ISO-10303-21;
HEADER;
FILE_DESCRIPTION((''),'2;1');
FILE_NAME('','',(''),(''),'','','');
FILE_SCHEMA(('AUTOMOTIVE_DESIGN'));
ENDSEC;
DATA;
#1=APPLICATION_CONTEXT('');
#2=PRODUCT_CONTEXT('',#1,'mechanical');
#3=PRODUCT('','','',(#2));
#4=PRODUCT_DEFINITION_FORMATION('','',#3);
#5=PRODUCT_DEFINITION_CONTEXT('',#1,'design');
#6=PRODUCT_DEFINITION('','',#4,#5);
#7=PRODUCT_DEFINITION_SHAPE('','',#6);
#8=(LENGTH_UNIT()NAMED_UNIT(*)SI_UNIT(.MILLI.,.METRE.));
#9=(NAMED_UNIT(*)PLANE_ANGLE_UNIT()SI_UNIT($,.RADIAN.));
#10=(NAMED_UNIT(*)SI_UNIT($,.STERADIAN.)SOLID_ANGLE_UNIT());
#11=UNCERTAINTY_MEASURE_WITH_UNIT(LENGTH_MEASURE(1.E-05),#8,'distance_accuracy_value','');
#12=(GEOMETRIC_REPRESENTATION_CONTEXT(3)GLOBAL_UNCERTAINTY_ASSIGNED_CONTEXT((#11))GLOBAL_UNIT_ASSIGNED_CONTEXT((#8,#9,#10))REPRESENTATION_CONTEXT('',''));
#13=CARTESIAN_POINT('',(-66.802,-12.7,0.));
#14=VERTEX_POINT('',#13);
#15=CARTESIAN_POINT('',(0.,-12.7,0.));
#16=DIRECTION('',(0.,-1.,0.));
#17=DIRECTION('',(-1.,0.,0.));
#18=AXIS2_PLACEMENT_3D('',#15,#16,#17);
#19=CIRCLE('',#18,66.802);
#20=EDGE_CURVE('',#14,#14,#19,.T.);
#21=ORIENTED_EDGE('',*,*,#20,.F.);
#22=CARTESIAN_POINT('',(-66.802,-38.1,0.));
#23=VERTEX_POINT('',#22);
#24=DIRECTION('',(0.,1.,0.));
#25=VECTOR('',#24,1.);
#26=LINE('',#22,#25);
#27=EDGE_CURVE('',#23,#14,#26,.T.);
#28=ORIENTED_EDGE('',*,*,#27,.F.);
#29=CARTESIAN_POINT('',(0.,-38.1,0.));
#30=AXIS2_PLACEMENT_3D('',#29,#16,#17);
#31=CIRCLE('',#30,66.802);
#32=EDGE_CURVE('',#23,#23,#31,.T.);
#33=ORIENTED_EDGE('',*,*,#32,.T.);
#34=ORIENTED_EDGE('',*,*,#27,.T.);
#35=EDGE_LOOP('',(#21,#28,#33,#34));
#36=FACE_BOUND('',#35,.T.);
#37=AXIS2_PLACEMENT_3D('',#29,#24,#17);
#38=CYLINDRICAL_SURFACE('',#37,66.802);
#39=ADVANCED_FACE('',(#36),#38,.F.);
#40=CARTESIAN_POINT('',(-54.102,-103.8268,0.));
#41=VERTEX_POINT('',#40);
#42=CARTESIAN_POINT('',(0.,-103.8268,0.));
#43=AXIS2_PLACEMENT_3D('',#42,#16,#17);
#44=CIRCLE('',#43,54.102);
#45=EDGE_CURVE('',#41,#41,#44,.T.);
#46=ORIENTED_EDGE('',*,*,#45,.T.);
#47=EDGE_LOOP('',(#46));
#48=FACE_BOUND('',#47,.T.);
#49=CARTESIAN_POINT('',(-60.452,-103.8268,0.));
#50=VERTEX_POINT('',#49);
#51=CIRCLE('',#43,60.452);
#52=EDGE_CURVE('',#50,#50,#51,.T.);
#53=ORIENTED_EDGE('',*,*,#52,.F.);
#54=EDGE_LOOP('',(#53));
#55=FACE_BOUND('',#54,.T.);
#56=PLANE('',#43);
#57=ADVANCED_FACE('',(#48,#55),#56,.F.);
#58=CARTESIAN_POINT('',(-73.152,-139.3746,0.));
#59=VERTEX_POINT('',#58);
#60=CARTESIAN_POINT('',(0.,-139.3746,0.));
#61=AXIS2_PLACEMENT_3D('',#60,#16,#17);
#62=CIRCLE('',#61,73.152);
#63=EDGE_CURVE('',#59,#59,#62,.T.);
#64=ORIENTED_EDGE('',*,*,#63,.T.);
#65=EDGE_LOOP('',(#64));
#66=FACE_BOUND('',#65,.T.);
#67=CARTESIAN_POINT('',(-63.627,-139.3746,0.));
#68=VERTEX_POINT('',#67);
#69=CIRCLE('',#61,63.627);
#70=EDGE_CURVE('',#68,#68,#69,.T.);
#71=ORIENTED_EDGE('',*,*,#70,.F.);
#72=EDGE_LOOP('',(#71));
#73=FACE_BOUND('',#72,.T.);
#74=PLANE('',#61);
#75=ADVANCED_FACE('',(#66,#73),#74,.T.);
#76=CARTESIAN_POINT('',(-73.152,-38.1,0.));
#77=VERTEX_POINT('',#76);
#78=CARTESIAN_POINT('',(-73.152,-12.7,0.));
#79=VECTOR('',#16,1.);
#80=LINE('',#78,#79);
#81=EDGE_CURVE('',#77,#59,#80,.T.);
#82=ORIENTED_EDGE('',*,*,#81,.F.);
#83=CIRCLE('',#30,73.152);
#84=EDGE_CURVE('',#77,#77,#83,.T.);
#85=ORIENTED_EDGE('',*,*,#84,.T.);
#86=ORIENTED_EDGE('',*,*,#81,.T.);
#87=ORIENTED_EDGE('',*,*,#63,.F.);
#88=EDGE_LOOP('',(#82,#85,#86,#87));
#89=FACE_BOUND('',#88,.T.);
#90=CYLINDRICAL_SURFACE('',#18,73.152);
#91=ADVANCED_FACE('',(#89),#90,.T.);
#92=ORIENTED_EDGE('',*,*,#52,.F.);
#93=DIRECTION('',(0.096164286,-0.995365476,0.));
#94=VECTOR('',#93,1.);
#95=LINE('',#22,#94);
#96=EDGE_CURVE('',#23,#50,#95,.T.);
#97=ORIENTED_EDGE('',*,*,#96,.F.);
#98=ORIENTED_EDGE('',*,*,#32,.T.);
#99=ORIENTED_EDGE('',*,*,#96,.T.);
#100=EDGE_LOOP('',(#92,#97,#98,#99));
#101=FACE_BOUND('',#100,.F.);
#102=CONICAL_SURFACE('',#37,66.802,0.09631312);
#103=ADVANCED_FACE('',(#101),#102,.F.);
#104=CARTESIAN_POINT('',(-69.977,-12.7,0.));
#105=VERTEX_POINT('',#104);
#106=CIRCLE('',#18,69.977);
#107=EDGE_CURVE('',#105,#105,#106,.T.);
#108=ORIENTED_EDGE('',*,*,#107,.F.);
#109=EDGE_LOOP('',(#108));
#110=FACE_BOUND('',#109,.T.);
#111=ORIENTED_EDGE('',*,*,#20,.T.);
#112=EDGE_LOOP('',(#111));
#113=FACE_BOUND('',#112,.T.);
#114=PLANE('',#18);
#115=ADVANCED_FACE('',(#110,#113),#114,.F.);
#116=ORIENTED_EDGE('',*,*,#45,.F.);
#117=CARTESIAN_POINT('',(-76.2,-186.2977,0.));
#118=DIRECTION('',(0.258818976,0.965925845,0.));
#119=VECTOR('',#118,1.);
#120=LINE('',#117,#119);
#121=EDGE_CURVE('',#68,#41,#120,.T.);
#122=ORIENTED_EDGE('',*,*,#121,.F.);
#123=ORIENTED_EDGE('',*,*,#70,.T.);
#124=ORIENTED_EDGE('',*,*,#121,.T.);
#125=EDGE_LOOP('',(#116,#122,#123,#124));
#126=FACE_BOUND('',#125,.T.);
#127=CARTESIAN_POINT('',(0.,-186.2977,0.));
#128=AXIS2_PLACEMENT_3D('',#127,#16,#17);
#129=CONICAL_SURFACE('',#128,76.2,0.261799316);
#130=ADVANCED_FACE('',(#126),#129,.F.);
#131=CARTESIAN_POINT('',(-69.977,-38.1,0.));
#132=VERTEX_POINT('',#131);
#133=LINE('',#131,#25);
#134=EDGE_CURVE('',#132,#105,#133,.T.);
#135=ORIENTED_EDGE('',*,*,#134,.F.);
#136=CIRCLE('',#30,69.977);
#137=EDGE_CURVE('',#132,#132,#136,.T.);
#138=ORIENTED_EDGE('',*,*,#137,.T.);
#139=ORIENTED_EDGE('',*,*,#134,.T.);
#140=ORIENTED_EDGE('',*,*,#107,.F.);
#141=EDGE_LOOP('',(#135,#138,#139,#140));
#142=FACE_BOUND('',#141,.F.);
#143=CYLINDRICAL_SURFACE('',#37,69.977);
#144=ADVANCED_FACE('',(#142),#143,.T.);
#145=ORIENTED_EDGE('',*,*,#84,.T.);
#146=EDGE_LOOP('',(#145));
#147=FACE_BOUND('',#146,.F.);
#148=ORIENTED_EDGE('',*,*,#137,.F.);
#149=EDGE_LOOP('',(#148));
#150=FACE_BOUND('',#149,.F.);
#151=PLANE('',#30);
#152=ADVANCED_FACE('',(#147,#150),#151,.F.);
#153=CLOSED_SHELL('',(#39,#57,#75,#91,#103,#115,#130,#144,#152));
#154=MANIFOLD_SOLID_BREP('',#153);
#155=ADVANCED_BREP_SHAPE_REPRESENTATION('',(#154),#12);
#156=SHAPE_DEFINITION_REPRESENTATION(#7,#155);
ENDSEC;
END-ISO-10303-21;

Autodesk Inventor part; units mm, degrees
ref_plane "YZ Plane" through (0, 0, 0) normal (1, 0, 0) x (0, 1, 0)
ref_plane "XZ Plane" through (0, 0, 0) normal (0, 1, 0) x (-1, 0, 0)
ref_plane "XY Plane" through (0, 0, 0) normal (0, 0, 1) x (1, 0, 0)
sketch "Sketch1" plane through (0, 0, 0) normal (0, 0, 1) x (1, 0, 0)
  line L0 (0, 25.4) -> (-28.702, 25.4) construction
  line L1 (0, 25.4) -> (-95.25, 25.4) construction
  line L2 (-95.25, 25.4) -> (-92.075, 25.4) construction
  line L3 (-92.075, 25.4) -> (-84.455, 21.8467) construction
  line L4 (-92.075, 25.4) -> (-92.075, 22.4389) construction
  line L5 (-92.075, 0) -> (-95.25, 0)
  line L6 (-28.702, 59.0535) -> (-28.702, -92.5226) construction
  arc A0 (-28.9184, -9.8402) -> (-32.3684, -2.4417) centre (-35.052, -8.1967) ccw
  line L7 (-76.2, -186.2977) -> (-28.702, -9.0327)
  line L8 (-92.075, 25.4) -> (-92.075, 0)
  line L9 (-92.075, 25.4) -> (-32.3684, -2.4417)
  line L10 (-28.702, -8.1967) -> (-60.452, -8.1967) construction
  line L11 (-60.452, -127.5253) -> (-54.102, -127.5253) construction
  line L12 (-54.102, -127.5253) -> (-54.102, -103.8268) construction
  line L13 (-54.102, -103.8268) -> (-60.452, -103.8268)
  line L14 (-60.452, 10.654) -> (-60.452, 1.129) construction
  line L15 (-60.452, 10.654) -> (-60.452, 4.1232) construction
  line L16 (-60.452, 4.1232) -> (-46.4468, 4.1232)
  line L17 (-95.25, 0) -> (-95.25, -12.7) construction
  line L18 (-60.452, -12.7) -> (-73.152, -12.7) construction
  line L19 (-95.25, -12.7) -> (-95.25, -25.4) construction
  line L20 (-95.25, -25.4) -> (-95.25, -88.9) construction
  line L21 (-95.25, -88.9) -> (-82.55, -88.9) construction
  line L22 (-82.55, -88.9) -> (-82.55, -25.4) construction
  line L23 (-95.25, -25.4) -> (-82.55, -25.4)
  line L24 (-82.55, -25.4) -> (-82.55, -88.9)
  line L25 (-82.55, -88.9) -> (-95.25, -88.9)
  line L26 (-95.25, -12.7) -> (-73.152, -12.7)
  line L27 (-73.152, -139.3746) -> (-63.627, -139.3746)
  line L28 (-82.55, -88.9) -> (-82.55, -186.2977)
  line L29 (-82.55, -186.2977) -> (-76.2, -186.2977)
  line L30 (-73.152, -12.7) -> (-73.152, -139.3746)
  line L31 (-88.9, -25.4) -> (-88.9, -31.3436)
  line L32 (-88.9, -31.3436) -> (-95.25, -31.3436)
  line L33 (-95.25, 0) -> (-95.25, -25.4)
  line L34 (-95.25, -31.3436) -> (-95.25, -88.9)
  line L35 (-88.9, -160.8977) -> (-88.9, -221.8454)
  line L36 (-28.9184, -9.8402) -> (-85.725, -221.8454)
  line L37 (-85.725, -221.8454) -> (-88.9, -221.8454)
  line L38 (-82.55, -160.8977) -> (-88.9, -160.8977)
  line L39 (-66.802, -38.1) -> (-66.802, 4.1232)
  line L40 (-66.802, 4.1232) -> (-60.452, 4.1232)
  line L41 (-66.802, -38.1) -> (-60.452, -103.8268)
  line L42 (-60.452, 10.654) -> (-60.452, 4.1232) construction
  line L43 (-60.452, -8.1967) -> (-60.452, -12.7) construction
  line L44 (-60.452, -103.8268) -> (-60.452, -127.5253) construction
  line L45 (0, 59.6457) -> (0, -91.9304) construction
  line L46 (-73.152, -38.1) -> (-69.977, -38.1)
  line L47 (-69.977, -38.1) -> (-69.977, -12.7)
  line L48 (-66.802, -12.7) -> (-69.977, -12.7)
  point P0 (0, 0)
  point P1 (-95.25, -256.5049)
  point P2 (-88.7095, 22.4389)
  dimension "d0" = 28.702
  dimension "d1" = 95.25
  dimension "d2" = 3.175
  dimension "d3" = 25
  dimension "d5" = 25.4
  dimension "d6" = 25.4
  dimension "d8" = 12.7
  dimension "d12" = 31.75
  dimension "d13" = 6.35
  dimension "d16" = 12.7
  dimension "d17" = 12.7
  dimension "d18" = 12.7
  dimension "d19" = 63.5
  dimension "d20" = 12.7
  dimension "d22" = 9.525
  dimension "d23" = 6.35
  dimension "d25" = 5.9436
  dimension "d27" = 3.175
  dimension "d28" = 6.35
  dimension "d29" = 25.4
  dimension "d30" = 107.95
  dimension "d31" = 6.35
  dimension "d33" = 20.3552
  dimension "d34" = 15
  dimension "d35" = 3.175
  dimension "d36" = 25.4
revolve "Revolution1" add sketch "Sketch1" angle 360 about axis through (0, 59.6457, 0) along (0, -1, 0) contours L46 L47 L48 L39 L41 L13 L7 L27 L30
properties part number "phenolic_bottom" material "Phenolic Resin"
